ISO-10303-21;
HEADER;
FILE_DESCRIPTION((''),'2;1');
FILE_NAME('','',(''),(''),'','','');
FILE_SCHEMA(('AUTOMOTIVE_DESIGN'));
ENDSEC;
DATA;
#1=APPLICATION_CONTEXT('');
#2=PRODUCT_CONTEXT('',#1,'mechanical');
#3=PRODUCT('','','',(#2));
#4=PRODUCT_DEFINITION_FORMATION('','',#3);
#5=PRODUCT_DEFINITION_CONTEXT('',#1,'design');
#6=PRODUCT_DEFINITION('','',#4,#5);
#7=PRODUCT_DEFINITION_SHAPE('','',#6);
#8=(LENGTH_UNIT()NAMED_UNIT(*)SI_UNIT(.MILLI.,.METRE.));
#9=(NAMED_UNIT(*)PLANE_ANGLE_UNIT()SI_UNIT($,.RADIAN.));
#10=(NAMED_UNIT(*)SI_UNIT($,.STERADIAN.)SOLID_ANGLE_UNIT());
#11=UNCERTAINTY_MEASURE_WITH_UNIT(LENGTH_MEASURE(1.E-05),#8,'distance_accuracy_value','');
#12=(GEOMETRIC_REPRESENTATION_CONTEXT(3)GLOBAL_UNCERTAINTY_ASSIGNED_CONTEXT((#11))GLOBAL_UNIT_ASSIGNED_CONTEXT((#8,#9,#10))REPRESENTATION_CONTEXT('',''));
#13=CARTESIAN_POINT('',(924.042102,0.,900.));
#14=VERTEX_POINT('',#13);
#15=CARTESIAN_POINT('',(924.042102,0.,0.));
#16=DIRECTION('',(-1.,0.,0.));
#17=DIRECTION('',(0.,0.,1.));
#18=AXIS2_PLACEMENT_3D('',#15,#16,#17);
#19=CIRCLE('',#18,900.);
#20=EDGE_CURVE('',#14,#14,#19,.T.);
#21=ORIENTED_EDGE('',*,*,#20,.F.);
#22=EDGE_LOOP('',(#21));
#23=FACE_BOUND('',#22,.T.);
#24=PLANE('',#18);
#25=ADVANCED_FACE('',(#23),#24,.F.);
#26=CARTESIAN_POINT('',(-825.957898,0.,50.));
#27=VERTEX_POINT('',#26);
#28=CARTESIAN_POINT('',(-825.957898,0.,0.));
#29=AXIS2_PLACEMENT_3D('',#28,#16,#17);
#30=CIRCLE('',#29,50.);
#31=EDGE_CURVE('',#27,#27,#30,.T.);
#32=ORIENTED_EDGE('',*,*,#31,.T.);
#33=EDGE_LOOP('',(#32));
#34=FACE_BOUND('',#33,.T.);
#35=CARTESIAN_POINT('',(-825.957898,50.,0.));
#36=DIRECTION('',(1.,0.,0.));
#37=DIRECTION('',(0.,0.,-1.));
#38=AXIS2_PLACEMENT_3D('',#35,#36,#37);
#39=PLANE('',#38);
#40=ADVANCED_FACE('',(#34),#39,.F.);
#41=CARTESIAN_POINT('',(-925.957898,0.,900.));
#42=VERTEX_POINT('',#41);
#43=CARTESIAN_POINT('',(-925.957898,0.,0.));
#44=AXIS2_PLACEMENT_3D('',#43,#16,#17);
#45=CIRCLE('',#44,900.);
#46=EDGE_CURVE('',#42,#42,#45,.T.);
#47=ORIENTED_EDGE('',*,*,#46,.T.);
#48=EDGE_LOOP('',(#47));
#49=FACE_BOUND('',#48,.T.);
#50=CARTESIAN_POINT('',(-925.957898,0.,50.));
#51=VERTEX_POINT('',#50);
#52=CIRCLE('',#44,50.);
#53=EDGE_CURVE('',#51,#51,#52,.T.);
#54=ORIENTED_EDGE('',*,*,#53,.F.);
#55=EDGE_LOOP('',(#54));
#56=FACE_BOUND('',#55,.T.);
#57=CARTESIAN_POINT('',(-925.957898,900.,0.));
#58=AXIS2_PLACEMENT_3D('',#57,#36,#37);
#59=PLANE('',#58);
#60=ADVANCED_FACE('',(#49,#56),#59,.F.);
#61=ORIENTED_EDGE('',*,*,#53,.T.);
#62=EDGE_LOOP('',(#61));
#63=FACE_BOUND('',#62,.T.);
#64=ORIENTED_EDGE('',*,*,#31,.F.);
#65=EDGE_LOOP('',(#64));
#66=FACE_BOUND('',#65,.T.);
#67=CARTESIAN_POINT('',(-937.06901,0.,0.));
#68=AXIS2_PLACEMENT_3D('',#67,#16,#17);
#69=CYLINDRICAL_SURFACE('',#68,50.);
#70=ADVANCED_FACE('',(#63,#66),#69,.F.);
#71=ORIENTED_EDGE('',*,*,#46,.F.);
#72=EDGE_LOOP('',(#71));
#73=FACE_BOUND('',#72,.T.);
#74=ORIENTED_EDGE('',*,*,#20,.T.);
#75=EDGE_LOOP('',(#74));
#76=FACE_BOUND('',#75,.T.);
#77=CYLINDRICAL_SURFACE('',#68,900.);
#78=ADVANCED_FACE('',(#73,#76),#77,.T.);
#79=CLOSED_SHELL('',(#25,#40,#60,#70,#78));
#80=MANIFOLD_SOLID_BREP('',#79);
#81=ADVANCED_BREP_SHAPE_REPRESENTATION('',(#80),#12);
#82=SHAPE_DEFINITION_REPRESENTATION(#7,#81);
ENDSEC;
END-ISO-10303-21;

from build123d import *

# Parameters (mm, degrees)
SCALE1_SCALE = 50


with BuildPart() as part:
    # Sketch1 → Revolve1 (revolve)
    with BuildSketch(Plane.XY):
        Polygon((17.685185185, 0), (17.685185185, 18), (-19.314814815, 18), (-19.314814815, 1), (-17.314814815, 1), (-17.314814815, 0), align=None)
    revolve(axis=Axis((-19.537037037, 0, 0), (1, 0, 0)))


with BuildPart() as part_1:
    # Scale1: scaled about (-0.811894741, 0, 0)
    add(part.part.scale(SCALE1_SCALE).moved(Location((39.782842309, 0, 0))))


solid = part_1.part
